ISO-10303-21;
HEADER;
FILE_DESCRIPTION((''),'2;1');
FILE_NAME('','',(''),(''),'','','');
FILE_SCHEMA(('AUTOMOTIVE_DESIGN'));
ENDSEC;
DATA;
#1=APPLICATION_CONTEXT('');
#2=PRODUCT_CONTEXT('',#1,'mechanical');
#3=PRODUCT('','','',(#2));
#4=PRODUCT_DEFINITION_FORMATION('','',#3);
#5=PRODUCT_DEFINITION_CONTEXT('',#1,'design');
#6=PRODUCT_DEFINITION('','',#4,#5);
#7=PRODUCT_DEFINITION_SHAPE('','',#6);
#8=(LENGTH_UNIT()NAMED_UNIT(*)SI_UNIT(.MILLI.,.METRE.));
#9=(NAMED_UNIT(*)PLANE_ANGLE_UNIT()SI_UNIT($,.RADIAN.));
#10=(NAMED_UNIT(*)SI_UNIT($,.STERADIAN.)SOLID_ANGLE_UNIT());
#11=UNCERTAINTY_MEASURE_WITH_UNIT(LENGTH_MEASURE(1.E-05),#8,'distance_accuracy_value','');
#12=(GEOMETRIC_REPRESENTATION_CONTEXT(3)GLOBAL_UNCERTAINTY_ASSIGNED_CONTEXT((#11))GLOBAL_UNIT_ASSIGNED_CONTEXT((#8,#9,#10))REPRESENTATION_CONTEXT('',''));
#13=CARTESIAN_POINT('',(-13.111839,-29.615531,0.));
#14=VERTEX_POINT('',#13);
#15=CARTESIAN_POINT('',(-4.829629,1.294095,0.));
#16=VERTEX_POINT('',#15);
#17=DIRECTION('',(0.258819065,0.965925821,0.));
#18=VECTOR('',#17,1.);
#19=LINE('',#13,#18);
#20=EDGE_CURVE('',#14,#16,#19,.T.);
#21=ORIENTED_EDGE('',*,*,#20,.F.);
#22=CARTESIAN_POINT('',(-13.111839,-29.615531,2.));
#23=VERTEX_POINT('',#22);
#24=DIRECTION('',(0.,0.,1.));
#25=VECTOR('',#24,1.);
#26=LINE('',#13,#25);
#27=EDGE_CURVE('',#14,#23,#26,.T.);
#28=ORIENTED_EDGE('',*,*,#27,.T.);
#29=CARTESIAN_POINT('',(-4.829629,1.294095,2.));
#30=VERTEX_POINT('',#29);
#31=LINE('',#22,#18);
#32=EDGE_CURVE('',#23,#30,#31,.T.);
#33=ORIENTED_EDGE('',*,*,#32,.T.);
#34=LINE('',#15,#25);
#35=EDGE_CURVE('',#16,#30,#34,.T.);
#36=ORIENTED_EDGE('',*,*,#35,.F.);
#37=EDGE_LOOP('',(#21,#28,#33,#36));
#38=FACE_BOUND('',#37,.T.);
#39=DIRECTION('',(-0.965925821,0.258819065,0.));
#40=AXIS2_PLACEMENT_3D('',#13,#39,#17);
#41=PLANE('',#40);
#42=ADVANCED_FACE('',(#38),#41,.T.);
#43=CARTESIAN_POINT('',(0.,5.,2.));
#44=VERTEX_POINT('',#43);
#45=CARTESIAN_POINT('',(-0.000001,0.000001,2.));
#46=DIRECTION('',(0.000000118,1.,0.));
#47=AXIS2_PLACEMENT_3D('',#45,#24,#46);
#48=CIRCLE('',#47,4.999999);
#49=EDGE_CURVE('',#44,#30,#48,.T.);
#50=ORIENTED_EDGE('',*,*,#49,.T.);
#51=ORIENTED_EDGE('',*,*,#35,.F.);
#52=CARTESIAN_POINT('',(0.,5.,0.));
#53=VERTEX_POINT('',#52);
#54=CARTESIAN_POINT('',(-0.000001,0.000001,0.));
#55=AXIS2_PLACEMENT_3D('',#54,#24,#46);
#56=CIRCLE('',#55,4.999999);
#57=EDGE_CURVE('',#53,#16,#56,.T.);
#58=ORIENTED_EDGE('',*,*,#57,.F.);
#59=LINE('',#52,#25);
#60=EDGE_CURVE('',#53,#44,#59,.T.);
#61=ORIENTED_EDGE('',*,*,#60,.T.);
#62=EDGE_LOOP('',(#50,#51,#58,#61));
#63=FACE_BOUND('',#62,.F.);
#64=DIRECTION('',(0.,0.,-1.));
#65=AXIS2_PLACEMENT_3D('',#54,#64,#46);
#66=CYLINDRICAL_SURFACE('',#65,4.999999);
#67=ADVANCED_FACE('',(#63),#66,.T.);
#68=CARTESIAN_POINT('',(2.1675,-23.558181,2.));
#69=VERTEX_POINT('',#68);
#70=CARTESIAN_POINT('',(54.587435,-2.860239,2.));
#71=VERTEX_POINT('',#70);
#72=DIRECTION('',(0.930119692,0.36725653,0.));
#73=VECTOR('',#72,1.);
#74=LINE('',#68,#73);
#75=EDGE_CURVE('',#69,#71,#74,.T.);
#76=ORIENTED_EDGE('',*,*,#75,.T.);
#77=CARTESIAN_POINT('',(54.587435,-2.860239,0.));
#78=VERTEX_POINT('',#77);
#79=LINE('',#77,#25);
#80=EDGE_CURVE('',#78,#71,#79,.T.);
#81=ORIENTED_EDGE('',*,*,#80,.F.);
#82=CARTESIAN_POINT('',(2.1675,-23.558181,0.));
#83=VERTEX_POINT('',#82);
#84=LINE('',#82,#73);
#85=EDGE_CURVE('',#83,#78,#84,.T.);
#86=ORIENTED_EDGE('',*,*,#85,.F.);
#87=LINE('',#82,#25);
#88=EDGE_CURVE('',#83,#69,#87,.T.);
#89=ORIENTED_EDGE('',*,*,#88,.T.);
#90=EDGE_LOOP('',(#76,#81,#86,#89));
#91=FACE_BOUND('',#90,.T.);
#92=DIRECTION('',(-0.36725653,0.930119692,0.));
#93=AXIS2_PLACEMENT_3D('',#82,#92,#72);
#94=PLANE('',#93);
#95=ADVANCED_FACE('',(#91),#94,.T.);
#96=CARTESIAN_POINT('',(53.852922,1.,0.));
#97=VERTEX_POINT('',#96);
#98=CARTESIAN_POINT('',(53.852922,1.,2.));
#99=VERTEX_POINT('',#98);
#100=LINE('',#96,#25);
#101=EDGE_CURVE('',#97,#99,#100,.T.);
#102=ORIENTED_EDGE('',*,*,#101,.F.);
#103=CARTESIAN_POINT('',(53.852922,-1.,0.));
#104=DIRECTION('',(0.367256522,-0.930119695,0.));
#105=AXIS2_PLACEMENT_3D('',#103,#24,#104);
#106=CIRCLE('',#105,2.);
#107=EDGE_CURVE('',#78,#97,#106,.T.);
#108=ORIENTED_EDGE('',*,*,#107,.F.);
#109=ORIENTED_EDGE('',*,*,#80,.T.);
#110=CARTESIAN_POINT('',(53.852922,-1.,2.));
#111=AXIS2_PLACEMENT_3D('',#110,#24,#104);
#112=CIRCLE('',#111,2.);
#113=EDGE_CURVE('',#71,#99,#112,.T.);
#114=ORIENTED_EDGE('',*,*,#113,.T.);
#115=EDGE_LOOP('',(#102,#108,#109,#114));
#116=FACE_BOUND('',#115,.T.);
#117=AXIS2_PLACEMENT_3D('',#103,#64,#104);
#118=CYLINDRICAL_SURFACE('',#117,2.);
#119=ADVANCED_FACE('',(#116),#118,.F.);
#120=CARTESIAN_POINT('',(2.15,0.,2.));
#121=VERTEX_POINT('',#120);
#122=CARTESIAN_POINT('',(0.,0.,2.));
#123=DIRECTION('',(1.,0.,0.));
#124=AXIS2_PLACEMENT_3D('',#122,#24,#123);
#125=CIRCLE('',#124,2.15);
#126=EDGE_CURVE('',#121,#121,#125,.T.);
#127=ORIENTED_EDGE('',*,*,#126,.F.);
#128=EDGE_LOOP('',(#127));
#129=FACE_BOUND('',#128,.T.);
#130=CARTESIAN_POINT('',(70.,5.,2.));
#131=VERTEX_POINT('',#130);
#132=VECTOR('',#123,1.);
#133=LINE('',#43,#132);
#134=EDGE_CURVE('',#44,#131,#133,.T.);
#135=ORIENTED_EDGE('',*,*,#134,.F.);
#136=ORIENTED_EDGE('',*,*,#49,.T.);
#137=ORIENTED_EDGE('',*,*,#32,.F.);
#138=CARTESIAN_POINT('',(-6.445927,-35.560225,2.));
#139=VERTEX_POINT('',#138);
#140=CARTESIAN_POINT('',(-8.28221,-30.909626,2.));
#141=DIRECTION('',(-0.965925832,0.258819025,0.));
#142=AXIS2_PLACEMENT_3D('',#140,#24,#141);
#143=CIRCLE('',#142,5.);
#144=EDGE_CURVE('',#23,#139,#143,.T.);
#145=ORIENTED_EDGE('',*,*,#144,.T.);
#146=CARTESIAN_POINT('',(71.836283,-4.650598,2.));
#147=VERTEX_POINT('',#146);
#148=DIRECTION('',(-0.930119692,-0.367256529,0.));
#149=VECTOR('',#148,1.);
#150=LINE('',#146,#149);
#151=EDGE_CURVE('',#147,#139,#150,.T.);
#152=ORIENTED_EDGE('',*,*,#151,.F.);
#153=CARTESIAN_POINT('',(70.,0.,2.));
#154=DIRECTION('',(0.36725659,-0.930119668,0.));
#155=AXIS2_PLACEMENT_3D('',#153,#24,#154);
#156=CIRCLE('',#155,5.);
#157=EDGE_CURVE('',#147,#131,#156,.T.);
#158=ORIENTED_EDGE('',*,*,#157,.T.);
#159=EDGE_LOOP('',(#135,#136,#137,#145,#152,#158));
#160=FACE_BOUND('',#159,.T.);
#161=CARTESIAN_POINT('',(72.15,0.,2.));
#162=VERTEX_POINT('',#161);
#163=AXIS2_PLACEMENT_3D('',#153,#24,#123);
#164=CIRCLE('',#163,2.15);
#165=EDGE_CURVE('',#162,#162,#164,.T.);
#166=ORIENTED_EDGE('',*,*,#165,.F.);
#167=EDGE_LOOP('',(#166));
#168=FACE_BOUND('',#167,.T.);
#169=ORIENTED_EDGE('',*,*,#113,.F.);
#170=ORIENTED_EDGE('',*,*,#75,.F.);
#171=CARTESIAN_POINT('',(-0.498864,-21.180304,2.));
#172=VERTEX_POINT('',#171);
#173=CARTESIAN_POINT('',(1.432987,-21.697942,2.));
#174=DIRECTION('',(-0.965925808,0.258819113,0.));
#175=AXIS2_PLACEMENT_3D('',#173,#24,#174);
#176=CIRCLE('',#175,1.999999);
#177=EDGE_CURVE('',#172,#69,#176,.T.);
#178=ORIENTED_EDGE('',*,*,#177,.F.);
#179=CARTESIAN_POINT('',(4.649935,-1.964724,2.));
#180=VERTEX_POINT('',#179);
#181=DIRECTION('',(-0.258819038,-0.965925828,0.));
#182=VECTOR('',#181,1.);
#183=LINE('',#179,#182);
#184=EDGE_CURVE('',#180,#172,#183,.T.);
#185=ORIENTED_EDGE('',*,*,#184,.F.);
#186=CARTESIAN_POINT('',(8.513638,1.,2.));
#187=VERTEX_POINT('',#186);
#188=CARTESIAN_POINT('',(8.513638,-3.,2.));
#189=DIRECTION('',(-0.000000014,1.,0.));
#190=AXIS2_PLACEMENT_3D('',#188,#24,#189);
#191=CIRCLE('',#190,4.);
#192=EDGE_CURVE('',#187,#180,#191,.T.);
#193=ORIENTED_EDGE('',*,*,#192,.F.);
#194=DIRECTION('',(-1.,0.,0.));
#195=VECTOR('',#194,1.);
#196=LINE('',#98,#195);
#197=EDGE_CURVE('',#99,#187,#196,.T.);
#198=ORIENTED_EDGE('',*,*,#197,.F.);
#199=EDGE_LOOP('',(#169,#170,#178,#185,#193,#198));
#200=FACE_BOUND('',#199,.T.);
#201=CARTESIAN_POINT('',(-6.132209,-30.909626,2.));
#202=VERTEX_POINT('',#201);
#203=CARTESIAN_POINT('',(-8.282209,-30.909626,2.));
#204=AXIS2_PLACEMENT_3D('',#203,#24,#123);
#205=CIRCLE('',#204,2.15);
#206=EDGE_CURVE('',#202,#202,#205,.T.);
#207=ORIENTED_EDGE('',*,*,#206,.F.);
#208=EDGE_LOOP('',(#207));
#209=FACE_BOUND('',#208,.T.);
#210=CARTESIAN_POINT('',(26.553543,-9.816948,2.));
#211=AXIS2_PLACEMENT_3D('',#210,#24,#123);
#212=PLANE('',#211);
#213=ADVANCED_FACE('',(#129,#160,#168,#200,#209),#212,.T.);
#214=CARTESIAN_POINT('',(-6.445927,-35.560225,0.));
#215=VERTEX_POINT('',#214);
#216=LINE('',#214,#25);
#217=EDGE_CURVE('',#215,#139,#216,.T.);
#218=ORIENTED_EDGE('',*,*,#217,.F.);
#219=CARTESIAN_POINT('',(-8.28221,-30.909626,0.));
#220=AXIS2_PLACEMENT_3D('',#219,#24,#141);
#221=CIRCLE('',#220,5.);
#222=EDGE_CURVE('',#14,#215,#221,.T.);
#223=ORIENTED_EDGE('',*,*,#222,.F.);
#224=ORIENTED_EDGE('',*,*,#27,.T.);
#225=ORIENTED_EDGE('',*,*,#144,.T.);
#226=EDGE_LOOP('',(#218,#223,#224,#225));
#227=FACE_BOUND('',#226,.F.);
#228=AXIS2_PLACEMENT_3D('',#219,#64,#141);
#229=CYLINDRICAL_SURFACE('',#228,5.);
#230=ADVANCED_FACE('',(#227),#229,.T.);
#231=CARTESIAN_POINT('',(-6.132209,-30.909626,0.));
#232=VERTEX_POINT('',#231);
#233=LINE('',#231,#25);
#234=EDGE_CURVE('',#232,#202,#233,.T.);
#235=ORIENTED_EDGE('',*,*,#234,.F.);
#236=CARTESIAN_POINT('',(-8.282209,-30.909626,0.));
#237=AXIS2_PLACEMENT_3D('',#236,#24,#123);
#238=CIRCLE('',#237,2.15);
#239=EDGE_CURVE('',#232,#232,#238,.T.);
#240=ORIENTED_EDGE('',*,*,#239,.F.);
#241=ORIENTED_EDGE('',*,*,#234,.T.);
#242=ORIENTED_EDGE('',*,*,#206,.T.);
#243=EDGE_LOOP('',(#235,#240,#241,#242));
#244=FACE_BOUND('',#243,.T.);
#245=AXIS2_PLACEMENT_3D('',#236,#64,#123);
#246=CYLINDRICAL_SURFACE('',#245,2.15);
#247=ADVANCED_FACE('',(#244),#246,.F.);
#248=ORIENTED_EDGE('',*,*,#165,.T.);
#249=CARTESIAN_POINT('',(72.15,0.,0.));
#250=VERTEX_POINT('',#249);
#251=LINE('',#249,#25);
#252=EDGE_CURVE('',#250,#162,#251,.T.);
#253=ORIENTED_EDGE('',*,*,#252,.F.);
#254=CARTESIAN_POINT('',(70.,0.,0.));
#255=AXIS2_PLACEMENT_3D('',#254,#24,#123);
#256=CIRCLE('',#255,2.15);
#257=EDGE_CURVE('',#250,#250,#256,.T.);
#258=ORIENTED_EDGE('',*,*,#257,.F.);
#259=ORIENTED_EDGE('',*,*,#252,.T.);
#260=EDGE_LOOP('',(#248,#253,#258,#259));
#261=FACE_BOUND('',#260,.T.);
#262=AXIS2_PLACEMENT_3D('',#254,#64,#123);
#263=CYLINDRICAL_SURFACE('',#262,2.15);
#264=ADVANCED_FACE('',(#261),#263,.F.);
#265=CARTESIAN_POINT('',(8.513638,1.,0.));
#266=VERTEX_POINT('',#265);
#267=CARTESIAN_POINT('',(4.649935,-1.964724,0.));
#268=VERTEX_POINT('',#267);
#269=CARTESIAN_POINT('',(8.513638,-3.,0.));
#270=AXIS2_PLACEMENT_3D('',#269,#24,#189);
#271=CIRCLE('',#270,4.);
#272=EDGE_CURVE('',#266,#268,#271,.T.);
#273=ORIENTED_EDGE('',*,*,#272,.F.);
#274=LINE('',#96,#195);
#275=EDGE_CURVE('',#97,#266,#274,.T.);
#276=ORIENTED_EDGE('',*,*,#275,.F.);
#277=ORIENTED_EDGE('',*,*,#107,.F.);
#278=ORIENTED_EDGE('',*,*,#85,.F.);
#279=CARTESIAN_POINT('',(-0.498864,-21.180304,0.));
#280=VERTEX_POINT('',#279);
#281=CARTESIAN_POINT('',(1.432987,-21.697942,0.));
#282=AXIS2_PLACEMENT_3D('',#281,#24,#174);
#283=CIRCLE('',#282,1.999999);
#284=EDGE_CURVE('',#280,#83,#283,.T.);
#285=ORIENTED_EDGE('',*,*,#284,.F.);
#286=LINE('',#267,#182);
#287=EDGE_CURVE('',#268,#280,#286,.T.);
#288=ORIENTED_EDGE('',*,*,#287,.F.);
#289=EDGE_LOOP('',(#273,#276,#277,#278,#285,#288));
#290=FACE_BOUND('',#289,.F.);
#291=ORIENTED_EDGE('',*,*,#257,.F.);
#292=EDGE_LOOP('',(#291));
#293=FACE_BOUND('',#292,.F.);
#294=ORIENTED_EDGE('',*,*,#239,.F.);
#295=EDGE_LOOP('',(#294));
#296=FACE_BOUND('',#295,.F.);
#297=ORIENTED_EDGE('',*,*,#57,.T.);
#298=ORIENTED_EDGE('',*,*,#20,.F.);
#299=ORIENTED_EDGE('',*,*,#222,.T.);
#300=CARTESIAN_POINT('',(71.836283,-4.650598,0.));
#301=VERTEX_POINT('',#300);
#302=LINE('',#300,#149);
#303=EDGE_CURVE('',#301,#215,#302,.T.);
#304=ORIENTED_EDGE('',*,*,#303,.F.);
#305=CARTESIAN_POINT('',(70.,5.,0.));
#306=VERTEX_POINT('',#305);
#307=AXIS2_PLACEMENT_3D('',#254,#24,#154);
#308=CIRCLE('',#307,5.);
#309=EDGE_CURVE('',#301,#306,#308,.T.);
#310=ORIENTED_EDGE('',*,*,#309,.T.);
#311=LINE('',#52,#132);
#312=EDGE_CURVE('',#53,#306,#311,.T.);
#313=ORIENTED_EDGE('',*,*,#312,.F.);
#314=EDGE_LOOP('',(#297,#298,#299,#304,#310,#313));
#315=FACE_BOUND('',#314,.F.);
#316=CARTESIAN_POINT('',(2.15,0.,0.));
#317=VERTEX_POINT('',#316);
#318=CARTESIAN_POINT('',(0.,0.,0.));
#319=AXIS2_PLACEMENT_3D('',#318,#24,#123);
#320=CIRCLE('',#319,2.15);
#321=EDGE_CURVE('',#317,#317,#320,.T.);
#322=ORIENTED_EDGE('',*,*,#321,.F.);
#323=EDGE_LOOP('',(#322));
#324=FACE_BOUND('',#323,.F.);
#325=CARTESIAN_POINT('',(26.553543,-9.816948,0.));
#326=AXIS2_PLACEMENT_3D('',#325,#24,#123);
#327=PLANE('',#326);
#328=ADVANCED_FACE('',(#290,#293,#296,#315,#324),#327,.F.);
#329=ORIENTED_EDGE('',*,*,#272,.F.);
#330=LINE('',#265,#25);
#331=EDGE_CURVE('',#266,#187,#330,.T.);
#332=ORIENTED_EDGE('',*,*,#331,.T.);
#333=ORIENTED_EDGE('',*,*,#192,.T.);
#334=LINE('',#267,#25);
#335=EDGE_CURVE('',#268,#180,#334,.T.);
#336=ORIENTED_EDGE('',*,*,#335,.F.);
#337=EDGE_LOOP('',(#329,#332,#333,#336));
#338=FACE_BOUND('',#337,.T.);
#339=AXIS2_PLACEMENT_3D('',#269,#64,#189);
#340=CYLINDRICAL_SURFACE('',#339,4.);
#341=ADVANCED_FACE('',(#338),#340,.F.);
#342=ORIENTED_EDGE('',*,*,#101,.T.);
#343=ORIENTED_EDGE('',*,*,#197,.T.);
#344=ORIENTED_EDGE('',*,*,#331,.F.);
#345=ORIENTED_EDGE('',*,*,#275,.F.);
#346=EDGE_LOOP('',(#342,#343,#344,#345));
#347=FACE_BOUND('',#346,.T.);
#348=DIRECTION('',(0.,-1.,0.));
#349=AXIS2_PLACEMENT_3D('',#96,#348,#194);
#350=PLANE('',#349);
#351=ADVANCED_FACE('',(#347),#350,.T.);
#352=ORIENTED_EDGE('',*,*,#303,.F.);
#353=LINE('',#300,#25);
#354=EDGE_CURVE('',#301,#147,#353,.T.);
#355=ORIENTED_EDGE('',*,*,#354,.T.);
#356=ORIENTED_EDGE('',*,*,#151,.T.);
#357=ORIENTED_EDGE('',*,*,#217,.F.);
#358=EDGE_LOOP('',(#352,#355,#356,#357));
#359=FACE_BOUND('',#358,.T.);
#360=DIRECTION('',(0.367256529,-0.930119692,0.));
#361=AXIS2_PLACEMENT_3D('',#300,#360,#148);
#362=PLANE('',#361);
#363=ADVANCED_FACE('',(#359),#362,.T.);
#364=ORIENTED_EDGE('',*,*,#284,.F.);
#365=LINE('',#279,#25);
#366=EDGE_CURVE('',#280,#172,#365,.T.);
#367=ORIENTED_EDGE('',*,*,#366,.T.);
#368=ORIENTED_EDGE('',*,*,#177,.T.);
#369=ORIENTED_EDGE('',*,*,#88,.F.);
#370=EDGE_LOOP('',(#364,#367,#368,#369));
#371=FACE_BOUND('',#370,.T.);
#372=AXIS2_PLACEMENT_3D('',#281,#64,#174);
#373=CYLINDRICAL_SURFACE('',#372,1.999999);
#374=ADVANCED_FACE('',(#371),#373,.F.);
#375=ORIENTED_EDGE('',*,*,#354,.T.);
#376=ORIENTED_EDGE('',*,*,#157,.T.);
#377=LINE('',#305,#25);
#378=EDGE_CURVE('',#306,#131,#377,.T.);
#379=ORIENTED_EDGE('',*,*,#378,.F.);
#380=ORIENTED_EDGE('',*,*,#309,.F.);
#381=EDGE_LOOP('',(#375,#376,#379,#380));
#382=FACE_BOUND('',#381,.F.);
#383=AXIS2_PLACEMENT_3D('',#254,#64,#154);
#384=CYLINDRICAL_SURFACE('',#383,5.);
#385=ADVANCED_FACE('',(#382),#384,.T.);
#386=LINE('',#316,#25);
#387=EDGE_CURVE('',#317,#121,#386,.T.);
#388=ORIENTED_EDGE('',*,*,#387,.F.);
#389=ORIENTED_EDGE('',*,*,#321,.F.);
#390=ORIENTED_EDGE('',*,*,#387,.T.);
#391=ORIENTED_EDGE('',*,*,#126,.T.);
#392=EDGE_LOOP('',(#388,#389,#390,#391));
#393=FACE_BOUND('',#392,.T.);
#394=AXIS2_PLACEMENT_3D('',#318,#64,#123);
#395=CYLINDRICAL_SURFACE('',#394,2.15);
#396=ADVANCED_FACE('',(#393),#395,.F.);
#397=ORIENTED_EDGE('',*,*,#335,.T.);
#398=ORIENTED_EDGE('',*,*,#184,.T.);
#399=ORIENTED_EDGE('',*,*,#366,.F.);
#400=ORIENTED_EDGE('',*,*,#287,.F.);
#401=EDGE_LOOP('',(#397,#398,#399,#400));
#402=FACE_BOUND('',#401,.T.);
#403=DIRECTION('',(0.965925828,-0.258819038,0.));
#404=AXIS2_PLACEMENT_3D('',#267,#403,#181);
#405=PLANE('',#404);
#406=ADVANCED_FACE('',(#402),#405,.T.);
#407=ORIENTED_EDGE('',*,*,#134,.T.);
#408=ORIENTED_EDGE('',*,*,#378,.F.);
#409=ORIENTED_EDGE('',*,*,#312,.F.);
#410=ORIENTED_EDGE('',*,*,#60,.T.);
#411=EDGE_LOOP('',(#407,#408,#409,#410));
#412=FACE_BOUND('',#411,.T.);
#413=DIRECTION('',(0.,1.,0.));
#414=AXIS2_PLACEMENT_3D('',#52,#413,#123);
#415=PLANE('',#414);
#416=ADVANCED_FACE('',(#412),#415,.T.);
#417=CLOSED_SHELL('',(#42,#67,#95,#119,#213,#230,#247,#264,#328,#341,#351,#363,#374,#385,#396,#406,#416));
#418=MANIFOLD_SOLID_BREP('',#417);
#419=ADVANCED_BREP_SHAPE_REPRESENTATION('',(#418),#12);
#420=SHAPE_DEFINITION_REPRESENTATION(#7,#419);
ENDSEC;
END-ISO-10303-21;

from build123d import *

# Parameters (mm, degrees)
SKETCH_R  = 2.15
PAD_DEPTH = 2


with BuildPart() as part:
    # Sketch → Pad (new body)
    with BuildSketch(Plane.XY):
        with BuildLine():
            ThreePointArc((0, 5), (-3.043807, 3.966767), (-4.829629, 1.294095))
            Line((-13.111839, -29.615531), (-4.829629, 1.294095))
            ThreePointArc((-13.111839, -29.615531), (-11.610103, -34.641265), (-6.445927, -35.560225))
            Line((71.836283, -4.650598), (-6.445927, -35.560225))
            ThreePointArc((71.836283, -4.650598), (74.911873, 0.934614), (70, 5))
            Line((0, 5), (70, 5))
        make_face()
        Circle(SKETCH_R, mode=Mode.SUBTRACT)
        with Locations((-8.282209, -30.909626)):
            Circle(SKETCH_R, mode=Mode.SUBTRACT)
        with Locations((70, 0)):
            Circle(SKETCH_R, mode=Mode.SUBTRACT)
        with BuildLine():
            Line((2.1675, -23.558181), (54.587435, -2.860239))
            ThreePointArc((54.587435, -2.860239), (55.817671, -0.626154), (53.852922, 1))
            Line((53.852922, 1), (8.513638, 1))
            ThreePointArc((8.513638, 1), (6.078592, 0.173413), (4.649935, -1.964724))
            Line((4.649935, -1.964724), (-0.498864, -21.180304))
            ThreePointArc((-0.498864, -21.180304), (0.10183, -23.190597), (2.1675, -23.558181))
        make_face(mode=Mode.SUBTRACT)
    extrude(amount=PAD_DEPTH)


solid = part.part
